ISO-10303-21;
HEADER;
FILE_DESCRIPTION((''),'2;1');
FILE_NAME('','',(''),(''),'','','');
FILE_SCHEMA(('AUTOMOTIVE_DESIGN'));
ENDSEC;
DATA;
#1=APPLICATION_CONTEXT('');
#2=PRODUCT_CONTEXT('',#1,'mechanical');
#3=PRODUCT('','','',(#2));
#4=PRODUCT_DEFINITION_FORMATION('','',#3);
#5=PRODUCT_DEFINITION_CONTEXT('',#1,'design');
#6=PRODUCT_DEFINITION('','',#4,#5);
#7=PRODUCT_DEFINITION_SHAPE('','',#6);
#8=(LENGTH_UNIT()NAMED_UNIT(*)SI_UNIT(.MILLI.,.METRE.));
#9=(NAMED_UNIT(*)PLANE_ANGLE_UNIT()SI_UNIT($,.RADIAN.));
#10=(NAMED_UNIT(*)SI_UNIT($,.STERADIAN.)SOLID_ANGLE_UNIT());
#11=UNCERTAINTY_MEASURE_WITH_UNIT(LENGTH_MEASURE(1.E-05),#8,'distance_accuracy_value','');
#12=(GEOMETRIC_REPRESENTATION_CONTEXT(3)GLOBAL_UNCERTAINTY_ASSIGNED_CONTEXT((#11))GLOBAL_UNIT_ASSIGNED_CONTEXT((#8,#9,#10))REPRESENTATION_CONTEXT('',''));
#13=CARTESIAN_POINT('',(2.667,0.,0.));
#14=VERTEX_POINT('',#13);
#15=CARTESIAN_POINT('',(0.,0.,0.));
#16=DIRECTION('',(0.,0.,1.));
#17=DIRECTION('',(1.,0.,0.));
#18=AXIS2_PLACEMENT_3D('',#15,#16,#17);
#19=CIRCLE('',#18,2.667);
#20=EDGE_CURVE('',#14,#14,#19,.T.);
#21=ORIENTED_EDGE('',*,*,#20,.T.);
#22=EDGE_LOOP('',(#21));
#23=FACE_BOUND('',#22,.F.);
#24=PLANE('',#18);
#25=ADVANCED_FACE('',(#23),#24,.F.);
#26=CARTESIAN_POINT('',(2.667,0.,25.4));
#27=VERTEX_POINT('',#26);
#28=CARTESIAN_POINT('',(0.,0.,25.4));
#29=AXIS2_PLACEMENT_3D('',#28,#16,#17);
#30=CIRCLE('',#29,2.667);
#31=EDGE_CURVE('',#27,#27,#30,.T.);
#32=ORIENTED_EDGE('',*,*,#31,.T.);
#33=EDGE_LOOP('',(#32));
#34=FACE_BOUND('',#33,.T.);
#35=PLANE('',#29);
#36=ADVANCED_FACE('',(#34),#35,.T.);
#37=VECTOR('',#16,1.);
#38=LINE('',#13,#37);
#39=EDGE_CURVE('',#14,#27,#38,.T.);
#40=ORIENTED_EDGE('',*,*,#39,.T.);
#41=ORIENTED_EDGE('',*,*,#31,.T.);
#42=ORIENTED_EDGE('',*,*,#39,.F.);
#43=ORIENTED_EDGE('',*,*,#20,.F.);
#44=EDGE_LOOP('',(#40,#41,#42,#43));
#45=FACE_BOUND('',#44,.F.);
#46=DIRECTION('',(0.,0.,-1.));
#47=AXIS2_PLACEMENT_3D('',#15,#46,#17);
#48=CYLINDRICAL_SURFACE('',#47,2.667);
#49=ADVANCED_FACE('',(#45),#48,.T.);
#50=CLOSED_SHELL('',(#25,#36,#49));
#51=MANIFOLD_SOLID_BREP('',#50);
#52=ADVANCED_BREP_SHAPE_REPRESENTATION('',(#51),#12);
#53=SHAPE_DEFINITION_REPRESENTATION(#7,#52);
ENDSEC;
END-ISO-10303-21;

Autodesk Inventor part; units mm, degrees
ref_plane "YZ Plane" through (0, 0, 0) normal (1, 0, 0) x (0, 1, 0)
ref_plane "XZ Plane" through (0, 0, 0) normal (0, 1, 0) x (-1, 0, 0)
ref_plane "XY Plane" through (0, 0, 0) normal (0, 0, 1) x (1, 0, 0)
sketch "Sketch1" plane through (0, 0, 0) normal (0, 0, 1) x (1, 0, 0)
  circle A0 centre (0, 0) radius 2.667
  dimension "d0" = 5.334
extrude "Extrusion1" add sketch "Sketch1" along normal blind 25.4
properties part number "Peg" material "Iron, Malleable"
